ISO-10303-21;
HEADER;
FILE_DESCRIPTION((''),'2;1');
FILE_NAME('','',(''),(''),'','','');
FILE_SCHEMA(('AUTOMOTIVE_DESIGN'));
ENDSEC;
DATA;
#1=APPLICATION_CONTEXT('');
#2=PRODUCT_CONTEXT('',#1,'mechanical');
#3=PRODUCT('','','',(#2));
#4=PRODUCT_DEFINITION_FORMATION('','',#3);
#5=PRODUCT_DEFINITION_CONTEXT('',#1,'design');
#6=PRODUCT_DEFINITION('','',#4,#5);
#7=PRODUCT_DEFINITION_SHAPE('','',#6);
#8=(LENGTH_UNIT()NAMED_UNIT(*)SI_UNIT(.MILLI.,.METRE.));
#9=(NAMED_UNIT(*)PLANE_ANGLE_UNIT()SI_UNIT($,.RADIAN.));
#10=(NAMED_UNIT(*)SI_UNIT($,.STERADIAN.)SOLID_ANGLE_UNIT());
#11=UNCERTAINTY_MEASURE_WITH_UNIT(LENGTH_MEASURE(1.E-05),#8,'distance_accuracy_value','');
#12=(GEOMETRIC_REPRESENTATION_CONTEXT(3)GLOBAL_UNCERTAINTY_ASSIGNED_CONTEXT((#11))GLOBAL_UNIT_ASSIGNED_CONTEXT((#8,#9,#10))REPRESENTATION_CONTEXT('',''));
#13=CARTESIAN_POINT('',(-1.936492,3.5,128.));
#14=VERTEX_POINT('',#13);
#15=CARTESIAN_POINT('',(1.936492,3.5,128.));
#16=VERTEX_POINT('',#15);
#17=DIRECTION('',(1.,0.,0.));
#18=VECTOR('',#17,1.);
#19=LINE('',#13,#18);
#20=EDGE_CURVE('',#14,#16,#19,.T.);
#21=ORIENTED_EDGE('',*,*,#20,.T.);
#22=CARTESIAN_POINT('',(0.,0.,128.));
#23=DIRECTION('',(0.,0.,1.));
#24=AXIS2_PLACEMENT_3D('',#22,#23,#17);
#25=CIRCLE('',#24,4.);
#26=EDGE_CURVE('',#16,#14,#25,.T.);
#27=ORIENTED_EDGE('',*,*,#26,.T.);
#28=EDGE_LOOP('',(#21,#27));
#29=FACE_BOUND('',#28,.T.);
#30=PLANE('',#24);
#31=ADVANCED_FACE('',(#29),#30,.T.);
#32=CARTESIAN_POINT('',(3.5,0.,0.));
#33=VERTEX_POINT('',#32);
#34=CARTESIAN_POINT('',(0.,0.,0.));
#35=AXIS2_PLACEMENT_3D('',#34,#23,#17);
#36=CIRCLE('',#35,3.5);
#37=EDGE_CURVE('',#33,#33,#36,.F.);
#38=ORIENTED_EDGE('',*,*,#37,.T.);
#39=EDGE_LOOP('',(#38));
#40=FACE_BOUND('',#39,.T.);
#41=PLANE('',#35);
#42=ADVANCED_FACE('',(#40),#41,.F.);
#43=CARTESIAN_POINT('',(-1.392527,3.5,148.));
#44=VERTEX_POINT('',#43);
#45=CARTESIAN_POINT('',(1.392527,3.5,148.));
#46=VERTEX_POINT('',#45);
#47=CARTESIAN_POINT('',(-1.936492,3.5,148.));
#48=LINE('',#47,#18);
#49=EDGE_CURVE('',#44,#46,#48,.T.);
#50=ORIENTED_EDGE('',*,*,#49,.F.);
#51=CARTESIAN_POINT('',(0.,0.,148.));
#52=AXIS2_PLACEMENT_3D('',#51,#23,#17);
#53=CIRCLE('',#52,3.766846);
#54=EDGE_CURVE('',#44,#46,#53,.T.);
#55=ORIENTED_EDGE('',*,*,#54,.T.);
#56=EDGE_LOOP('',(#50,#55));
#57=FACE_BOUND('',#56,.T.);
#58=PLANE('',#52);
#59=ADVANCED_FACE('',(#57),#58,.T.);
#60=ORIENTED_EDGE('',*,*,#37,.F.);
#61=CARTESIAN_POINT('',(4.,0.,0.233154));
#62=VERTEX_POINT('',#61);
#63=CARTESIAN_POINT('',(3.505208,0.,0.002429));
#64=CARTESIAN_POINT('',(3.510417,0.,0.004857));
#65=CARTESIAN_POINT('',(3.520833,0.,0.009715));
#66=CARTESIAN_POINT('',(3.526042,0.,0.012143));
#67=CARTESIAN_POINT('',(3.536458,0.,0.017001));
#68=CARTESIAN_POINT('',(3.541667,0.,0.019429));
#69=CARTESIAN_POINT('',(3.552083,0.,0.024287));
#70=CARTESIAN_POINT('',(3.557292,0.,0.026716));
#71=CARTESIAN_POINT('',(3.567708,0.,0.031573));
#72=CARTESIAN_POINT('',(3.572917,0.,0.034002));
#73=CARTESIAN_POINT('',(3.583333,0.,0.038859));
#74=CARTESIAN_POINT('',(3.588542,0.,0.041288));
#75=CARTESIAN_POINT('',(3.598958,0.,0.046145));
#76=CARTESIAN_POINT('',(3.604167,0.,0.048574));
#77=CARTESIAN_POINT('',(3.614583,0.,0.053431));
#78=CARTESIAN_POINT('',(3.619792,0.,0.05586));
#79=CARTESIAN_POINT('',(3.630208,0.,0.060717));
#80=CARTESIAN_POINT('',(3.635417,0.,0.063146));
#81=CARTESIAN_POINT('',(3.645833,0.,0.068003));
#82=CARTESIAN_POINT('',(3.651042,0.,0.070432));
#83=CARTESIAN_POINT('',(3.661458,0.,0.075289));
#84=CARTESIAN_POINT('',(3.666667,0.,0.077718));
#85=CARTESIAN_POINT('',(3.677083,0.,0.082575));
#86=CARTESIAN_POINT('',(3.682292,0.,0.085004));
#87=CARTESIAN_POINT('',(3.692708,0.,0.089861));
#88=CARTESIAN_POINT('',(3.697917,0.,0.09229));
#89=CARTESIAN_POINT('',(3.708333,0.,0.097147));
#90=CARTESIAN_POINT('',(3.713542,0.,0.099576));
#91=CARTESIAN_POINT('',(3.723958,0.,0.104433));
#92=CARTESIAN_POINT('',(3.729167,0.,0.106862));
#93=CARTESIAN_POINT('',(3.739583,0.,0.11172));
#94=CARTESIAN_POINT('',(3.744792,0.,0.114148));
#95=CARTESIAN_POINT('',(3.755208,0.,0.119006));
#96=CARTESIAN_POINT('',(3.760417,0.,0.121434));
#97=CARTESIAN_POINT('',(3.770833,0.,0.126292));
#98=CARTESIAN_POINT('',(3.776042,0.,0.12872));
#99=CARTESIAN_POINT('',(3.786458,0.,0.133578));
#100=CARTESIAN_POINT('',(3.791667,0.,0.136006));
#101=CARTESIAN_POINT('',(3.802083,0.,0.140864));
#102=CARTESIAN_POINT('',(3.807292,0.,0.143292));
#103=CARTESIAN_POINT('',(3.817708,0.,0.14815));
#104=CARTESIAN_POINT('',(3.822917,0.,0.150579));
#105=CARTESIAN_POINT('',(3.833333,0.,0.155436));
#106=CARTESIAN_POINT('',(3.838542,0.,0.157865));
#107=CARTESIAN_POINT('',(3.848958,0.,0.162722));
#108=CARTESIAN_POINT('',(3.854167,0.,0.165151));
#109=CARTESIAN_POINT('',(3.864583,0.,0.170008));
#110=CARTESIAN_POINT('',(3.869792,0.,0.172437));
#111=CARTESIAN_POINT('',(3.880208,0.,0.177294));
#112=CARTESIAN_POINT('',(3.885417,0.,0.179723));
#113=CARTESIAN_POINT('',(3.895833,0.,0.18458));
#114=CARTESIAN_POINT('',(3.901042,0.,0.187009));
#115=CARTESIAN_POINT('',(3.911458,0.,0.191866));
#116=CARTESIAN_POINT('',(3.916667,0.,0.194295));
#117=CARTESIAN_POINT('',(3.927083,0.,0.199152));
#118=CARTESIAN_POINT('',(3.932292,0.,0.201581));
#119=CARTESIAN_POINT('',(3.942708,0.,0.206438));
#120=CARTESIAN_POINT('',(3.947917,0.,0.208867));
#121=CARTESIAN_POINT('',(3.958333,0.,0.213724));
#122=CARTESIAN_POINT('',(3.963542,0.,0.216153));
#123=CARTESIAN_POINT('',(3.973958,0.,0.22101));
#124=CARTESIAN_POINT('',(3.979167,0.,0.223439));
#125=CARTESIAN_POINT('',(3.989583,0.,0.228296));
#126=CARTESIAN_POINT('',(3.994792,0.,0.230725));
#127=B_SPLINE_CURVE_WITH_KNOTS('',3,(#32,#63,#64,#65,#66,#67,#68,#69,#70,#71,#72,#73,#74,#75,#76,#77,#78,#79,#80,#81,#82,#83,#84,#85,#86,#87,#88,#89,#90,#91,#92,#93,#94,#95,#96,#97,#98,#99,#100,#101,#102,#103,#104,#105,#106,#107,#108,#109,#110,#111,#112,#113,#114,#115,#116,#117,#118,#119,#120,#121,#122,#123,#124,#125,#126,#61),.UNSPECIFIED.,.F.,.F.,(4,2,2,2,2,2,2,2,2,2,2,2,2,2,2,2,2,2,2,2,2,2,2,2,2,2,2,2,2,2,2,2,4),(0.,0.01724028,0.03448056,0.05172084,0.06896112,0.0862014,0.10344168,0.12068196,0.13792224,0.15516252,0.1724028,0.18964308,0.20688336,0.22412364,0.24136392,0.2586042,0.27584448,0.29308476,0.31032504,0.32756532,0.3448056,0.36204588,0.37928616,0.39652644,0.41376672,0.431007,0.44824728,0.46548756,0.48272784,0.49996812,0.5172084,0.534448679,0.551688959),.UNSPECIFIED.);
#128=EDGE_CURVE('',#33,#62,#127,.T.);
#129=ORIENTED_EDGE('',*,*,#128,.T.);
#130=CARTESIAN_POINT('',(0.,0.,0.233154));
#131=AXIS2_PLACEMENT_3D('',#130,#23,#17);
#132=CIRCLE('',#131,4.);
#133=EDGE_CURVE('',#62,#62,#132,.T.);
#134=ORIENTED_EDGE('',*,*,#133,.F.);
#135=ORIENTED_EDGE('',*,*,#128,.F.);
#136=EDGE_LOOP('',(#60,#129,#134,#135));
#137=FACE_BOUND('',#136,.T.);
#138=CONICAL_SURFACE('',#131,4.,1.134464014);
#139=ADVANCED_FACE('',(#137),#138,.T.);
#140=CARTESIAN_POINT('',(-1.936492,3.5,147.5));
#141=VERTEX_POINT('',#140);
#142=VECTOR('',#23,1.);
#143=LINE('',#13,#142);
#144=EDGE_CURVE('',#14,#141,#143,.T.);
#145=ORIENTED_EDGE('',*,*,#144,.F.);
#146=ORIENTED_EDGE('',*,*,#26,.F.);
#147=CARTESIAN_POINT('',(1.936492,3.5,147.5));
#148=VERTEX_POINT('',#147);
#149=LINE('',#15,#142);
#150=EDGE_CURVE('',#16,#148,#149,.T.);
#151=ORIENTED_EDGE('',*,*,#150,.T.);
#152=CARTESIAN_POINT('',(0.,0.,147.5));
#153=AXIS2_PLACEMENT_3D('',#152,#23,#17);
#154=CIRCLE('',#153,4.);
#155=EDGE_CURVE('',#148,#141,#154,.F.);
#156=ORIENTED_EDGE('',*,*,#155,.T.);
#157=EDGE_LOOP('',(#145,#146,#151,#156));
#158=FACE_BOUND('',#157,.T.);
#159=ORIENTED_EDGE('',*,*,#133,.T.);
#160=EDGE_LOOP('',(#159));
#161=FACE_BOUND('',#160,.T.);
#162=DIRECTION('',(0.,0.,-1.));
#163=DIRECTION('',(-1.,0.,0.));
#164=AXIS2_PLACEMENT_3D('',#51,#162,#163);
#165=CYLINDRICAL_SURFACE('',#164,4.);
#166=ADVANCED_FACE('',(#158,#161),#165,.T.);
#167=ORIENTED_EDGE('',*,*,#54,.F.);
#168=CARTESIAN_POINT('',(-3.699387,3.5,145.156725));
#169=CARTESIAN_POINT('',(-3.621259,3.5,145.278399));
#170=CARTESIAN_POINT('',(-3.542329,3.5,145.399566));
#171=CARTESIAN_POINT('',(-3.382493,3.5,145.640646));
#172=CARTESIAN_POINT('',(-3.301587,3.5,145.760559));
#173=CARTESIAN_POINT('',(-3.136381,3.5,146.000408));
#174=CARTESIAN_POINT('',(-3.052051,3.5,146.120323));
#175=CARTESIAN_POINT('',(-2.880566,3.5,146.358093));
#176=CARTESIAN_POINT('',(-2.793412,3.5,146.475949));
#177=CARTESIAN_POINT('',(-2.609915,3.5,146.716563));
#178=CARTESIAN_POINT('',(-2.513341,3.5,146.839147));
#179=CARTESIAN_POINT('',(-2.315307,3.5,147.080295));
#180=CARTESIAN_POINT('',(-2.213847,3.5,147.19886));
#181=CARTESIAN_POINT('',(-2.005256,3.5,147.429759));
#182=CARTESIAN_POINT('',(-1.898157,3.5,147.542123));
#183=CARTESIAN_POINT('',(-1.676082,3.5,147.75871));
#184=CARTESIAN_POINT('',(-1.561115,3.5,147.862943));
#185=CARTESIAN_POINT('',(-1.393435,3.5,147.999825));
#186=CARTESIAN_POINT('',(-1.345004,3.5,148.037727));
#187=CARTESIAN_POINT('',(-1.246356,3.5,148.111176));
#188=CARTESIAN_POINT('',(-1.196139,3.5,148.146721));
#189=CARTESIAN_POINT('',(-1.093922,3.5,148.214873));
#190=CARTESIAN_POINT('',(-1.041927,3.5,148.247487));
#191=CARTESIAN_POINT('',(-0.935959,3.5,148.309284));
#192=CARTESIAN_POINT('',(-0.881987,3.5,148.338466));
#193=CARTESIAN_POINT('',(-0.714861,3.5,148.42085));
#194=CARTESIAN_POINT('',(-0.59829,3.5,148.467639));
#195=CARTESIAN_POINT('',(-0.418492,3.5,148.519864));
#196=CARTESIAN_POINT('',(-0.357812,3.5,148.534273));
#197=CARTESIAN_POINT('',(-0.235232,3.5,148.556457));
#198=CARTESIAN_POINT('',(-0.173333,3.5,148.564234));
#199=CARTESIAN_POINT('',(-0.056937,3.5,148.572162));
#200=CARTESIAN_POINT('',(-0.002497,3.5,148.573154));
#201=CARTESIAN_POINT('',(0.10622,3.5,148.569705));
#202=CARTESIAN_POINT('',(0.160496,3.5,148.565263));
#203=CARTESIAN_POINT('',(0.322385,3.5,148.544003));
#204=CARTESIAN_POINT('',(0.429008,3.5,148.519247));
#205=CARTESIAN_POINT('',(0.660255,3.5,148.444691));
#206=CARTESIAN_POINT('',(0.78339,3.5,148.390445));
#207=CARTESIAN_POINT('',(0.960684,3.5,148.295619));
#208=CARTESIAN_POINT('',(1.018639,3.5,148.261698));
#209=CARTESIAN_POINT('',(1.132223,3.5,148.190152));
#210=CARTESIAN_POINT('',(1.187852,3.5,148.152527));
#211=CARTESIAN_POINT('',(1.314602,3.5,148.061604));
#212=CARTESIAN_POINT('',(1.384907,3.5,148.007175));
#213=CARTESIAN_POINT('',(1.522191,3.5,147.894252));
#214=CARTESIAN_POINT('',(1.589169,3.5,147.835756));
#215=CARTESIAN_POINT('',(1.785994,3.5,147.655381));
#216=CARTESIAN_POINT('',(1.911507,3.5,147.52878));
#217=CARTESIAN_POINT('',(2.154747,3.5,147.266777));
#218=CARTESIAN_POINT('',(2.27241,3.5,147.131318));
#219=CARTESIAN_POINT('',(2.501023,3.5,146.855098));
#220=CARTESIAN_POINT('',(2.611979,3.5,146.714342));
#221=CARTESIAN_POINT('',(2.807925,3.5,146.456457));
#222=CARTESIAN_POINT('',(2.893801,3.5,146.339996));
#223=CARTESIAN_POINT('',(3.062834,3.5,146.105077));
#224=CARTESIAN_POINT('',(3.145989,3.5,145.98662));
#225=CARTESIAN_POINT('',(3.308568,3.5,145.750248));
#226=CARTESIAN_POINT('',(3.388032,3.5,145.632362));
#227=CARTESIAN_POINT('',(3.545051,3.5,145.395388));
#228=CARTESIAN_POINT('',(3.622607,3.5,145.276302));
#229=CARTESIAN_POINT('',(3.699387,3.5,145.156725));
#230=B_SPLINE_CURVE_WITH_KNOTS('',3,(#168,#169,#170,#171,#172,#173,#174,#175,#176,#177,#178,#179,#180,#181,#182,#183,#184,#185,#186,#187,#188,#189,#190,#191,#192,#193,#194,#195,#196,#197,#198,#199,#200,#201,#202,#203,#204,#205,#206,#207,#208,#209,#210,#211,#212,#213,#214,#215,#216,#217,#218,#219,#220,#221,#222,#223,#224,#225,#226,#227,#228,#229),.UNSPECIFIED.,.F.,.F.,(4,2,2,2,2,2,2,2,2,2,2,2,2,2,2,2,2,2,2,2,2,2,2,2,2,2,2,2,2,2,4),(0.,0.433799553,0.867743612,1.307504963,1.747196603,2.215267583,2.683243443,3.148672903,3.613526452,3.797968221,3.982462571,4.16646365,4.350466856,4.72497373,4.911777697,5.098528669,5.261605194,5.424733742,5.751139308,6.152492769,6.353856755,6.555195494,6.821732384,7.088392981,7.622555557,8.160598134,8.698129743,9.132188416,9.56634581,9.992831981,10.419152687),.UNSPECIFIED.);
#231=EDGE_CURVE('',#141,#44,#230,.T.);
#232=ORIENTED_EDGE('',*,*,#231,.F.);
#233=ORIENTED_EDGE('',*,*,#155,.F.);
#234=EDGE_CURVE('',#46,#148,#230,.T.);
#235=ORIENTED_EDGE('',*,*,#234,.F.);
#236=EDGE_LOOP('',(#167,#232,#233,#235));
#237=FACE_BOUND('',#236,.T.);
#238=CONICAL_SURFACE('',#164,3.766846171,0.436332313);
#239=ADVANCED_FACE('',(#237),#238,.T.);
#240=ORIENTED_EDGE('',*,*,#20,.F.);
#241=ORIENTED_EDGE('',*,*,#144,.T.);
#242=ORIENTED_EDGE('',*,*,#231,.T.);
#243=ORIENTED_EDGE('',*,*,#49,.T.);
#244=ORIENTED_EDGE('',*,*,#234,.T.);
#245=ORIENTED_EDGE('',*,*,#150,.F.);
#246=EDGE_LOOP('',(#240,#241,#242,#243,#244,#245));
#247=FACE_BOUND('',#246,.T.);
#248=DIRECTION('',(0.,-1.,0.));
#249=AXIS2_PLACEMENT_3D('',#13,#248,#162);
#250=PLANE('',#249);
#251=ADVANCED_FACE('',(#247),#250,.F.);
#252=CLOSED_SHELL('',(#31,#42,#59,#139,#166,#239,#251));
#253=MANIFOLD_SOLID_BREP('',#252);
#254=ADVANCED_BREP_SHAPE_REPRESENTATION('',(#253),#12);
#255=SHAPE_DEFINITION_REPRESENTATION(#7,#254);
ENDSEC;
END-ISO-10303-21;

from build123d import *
from OCP.BRepFilletAPI import BRepFilletAPI_MakeChamfer

# Parameters (mm, degrees)
SKICA1_R                 = 4
P_IDAT_VYSUNUT_M1_DEPTH  = 148
ZKOSEN_1_SIZE            = 0.5
ZKOSEN_1_SIZE2           = 0.233153829
ODEBRAT_START            = -20
ODEBRAT_VYSUNUT_M1_DEPTH = 20


with BuildPart() as part:
    # Skica1 → Přidat vysunutím1 (new body)
    with BuildSketch(Plane.XY):
        Circle(SKICA1_R)
    extrude(amount=P_IDAT_VYSUNUT_M1_DEPTH)

    # Zkosení1: one chamfer whose edges measure the first distance from different faces: ONE call of the kernel's chamfer builder (chamfer() names one face for all edges)
    zkosen_1_edges_1 = [part.edges().sort_by_distance(p)[0] for p in [
        (-4, 0, 0),
    ]]
    zkosen_1_side_1 = [part.faces().sort_by_distance(p)[0] for p in [
        (0, 0, 0),
    ]]
    zkosen_1_edges_2 = [part.edges().sort_by_distance(p)[0] for p in [
        (-4, 0, 148),
    ]]
    zkosen_1_side_2 = [part.faces().sort_by_distance(p)[0] for p in [
        (-4, 0, 74),
    ]]
    zkosen_1 = BRepFilletAPI_MakeChamfer(part.part.solid().wrapped)
    for e in zkosen_1_edges_1:
        zkosen_1.Add(ZKOSEN_1_SIZE, ZKOSEN_1_SIZE2, e.wrapped, zkosen_1_side_1[0].wrapped)  # the first distance lies on this face
    for e in zkosen_1_edges_2:
        zkosen_1.Add(ZKOSEN_1_SIZE, ZKOSEN_1_SIZE2, e.wrapped, zkosen_1_side_2[0].wrapped)  # the first distance lies on this face
    add(Compound.cast(zkosen_1.Shape()), mode=Mode.REPLACE)

    # Skica2 → Odebrat vysunutím1 (cut)
    with BuildSketch(Plane.XY.offset(148).offset(ODEBRAT_START)):
        with BuildLine():
            Line((-1.936491673, 3.5), (1.936491673, 3.5))
            ThreePointArc((1.936491673, 3.5), (0, 4), (-1.936491673, 3.5))
        make_face()
    extrude(amount=ODEBRAT_VYSUNUT_M1_DEPTH, mode=Mode.SUBTRACT)


solid = part.part
